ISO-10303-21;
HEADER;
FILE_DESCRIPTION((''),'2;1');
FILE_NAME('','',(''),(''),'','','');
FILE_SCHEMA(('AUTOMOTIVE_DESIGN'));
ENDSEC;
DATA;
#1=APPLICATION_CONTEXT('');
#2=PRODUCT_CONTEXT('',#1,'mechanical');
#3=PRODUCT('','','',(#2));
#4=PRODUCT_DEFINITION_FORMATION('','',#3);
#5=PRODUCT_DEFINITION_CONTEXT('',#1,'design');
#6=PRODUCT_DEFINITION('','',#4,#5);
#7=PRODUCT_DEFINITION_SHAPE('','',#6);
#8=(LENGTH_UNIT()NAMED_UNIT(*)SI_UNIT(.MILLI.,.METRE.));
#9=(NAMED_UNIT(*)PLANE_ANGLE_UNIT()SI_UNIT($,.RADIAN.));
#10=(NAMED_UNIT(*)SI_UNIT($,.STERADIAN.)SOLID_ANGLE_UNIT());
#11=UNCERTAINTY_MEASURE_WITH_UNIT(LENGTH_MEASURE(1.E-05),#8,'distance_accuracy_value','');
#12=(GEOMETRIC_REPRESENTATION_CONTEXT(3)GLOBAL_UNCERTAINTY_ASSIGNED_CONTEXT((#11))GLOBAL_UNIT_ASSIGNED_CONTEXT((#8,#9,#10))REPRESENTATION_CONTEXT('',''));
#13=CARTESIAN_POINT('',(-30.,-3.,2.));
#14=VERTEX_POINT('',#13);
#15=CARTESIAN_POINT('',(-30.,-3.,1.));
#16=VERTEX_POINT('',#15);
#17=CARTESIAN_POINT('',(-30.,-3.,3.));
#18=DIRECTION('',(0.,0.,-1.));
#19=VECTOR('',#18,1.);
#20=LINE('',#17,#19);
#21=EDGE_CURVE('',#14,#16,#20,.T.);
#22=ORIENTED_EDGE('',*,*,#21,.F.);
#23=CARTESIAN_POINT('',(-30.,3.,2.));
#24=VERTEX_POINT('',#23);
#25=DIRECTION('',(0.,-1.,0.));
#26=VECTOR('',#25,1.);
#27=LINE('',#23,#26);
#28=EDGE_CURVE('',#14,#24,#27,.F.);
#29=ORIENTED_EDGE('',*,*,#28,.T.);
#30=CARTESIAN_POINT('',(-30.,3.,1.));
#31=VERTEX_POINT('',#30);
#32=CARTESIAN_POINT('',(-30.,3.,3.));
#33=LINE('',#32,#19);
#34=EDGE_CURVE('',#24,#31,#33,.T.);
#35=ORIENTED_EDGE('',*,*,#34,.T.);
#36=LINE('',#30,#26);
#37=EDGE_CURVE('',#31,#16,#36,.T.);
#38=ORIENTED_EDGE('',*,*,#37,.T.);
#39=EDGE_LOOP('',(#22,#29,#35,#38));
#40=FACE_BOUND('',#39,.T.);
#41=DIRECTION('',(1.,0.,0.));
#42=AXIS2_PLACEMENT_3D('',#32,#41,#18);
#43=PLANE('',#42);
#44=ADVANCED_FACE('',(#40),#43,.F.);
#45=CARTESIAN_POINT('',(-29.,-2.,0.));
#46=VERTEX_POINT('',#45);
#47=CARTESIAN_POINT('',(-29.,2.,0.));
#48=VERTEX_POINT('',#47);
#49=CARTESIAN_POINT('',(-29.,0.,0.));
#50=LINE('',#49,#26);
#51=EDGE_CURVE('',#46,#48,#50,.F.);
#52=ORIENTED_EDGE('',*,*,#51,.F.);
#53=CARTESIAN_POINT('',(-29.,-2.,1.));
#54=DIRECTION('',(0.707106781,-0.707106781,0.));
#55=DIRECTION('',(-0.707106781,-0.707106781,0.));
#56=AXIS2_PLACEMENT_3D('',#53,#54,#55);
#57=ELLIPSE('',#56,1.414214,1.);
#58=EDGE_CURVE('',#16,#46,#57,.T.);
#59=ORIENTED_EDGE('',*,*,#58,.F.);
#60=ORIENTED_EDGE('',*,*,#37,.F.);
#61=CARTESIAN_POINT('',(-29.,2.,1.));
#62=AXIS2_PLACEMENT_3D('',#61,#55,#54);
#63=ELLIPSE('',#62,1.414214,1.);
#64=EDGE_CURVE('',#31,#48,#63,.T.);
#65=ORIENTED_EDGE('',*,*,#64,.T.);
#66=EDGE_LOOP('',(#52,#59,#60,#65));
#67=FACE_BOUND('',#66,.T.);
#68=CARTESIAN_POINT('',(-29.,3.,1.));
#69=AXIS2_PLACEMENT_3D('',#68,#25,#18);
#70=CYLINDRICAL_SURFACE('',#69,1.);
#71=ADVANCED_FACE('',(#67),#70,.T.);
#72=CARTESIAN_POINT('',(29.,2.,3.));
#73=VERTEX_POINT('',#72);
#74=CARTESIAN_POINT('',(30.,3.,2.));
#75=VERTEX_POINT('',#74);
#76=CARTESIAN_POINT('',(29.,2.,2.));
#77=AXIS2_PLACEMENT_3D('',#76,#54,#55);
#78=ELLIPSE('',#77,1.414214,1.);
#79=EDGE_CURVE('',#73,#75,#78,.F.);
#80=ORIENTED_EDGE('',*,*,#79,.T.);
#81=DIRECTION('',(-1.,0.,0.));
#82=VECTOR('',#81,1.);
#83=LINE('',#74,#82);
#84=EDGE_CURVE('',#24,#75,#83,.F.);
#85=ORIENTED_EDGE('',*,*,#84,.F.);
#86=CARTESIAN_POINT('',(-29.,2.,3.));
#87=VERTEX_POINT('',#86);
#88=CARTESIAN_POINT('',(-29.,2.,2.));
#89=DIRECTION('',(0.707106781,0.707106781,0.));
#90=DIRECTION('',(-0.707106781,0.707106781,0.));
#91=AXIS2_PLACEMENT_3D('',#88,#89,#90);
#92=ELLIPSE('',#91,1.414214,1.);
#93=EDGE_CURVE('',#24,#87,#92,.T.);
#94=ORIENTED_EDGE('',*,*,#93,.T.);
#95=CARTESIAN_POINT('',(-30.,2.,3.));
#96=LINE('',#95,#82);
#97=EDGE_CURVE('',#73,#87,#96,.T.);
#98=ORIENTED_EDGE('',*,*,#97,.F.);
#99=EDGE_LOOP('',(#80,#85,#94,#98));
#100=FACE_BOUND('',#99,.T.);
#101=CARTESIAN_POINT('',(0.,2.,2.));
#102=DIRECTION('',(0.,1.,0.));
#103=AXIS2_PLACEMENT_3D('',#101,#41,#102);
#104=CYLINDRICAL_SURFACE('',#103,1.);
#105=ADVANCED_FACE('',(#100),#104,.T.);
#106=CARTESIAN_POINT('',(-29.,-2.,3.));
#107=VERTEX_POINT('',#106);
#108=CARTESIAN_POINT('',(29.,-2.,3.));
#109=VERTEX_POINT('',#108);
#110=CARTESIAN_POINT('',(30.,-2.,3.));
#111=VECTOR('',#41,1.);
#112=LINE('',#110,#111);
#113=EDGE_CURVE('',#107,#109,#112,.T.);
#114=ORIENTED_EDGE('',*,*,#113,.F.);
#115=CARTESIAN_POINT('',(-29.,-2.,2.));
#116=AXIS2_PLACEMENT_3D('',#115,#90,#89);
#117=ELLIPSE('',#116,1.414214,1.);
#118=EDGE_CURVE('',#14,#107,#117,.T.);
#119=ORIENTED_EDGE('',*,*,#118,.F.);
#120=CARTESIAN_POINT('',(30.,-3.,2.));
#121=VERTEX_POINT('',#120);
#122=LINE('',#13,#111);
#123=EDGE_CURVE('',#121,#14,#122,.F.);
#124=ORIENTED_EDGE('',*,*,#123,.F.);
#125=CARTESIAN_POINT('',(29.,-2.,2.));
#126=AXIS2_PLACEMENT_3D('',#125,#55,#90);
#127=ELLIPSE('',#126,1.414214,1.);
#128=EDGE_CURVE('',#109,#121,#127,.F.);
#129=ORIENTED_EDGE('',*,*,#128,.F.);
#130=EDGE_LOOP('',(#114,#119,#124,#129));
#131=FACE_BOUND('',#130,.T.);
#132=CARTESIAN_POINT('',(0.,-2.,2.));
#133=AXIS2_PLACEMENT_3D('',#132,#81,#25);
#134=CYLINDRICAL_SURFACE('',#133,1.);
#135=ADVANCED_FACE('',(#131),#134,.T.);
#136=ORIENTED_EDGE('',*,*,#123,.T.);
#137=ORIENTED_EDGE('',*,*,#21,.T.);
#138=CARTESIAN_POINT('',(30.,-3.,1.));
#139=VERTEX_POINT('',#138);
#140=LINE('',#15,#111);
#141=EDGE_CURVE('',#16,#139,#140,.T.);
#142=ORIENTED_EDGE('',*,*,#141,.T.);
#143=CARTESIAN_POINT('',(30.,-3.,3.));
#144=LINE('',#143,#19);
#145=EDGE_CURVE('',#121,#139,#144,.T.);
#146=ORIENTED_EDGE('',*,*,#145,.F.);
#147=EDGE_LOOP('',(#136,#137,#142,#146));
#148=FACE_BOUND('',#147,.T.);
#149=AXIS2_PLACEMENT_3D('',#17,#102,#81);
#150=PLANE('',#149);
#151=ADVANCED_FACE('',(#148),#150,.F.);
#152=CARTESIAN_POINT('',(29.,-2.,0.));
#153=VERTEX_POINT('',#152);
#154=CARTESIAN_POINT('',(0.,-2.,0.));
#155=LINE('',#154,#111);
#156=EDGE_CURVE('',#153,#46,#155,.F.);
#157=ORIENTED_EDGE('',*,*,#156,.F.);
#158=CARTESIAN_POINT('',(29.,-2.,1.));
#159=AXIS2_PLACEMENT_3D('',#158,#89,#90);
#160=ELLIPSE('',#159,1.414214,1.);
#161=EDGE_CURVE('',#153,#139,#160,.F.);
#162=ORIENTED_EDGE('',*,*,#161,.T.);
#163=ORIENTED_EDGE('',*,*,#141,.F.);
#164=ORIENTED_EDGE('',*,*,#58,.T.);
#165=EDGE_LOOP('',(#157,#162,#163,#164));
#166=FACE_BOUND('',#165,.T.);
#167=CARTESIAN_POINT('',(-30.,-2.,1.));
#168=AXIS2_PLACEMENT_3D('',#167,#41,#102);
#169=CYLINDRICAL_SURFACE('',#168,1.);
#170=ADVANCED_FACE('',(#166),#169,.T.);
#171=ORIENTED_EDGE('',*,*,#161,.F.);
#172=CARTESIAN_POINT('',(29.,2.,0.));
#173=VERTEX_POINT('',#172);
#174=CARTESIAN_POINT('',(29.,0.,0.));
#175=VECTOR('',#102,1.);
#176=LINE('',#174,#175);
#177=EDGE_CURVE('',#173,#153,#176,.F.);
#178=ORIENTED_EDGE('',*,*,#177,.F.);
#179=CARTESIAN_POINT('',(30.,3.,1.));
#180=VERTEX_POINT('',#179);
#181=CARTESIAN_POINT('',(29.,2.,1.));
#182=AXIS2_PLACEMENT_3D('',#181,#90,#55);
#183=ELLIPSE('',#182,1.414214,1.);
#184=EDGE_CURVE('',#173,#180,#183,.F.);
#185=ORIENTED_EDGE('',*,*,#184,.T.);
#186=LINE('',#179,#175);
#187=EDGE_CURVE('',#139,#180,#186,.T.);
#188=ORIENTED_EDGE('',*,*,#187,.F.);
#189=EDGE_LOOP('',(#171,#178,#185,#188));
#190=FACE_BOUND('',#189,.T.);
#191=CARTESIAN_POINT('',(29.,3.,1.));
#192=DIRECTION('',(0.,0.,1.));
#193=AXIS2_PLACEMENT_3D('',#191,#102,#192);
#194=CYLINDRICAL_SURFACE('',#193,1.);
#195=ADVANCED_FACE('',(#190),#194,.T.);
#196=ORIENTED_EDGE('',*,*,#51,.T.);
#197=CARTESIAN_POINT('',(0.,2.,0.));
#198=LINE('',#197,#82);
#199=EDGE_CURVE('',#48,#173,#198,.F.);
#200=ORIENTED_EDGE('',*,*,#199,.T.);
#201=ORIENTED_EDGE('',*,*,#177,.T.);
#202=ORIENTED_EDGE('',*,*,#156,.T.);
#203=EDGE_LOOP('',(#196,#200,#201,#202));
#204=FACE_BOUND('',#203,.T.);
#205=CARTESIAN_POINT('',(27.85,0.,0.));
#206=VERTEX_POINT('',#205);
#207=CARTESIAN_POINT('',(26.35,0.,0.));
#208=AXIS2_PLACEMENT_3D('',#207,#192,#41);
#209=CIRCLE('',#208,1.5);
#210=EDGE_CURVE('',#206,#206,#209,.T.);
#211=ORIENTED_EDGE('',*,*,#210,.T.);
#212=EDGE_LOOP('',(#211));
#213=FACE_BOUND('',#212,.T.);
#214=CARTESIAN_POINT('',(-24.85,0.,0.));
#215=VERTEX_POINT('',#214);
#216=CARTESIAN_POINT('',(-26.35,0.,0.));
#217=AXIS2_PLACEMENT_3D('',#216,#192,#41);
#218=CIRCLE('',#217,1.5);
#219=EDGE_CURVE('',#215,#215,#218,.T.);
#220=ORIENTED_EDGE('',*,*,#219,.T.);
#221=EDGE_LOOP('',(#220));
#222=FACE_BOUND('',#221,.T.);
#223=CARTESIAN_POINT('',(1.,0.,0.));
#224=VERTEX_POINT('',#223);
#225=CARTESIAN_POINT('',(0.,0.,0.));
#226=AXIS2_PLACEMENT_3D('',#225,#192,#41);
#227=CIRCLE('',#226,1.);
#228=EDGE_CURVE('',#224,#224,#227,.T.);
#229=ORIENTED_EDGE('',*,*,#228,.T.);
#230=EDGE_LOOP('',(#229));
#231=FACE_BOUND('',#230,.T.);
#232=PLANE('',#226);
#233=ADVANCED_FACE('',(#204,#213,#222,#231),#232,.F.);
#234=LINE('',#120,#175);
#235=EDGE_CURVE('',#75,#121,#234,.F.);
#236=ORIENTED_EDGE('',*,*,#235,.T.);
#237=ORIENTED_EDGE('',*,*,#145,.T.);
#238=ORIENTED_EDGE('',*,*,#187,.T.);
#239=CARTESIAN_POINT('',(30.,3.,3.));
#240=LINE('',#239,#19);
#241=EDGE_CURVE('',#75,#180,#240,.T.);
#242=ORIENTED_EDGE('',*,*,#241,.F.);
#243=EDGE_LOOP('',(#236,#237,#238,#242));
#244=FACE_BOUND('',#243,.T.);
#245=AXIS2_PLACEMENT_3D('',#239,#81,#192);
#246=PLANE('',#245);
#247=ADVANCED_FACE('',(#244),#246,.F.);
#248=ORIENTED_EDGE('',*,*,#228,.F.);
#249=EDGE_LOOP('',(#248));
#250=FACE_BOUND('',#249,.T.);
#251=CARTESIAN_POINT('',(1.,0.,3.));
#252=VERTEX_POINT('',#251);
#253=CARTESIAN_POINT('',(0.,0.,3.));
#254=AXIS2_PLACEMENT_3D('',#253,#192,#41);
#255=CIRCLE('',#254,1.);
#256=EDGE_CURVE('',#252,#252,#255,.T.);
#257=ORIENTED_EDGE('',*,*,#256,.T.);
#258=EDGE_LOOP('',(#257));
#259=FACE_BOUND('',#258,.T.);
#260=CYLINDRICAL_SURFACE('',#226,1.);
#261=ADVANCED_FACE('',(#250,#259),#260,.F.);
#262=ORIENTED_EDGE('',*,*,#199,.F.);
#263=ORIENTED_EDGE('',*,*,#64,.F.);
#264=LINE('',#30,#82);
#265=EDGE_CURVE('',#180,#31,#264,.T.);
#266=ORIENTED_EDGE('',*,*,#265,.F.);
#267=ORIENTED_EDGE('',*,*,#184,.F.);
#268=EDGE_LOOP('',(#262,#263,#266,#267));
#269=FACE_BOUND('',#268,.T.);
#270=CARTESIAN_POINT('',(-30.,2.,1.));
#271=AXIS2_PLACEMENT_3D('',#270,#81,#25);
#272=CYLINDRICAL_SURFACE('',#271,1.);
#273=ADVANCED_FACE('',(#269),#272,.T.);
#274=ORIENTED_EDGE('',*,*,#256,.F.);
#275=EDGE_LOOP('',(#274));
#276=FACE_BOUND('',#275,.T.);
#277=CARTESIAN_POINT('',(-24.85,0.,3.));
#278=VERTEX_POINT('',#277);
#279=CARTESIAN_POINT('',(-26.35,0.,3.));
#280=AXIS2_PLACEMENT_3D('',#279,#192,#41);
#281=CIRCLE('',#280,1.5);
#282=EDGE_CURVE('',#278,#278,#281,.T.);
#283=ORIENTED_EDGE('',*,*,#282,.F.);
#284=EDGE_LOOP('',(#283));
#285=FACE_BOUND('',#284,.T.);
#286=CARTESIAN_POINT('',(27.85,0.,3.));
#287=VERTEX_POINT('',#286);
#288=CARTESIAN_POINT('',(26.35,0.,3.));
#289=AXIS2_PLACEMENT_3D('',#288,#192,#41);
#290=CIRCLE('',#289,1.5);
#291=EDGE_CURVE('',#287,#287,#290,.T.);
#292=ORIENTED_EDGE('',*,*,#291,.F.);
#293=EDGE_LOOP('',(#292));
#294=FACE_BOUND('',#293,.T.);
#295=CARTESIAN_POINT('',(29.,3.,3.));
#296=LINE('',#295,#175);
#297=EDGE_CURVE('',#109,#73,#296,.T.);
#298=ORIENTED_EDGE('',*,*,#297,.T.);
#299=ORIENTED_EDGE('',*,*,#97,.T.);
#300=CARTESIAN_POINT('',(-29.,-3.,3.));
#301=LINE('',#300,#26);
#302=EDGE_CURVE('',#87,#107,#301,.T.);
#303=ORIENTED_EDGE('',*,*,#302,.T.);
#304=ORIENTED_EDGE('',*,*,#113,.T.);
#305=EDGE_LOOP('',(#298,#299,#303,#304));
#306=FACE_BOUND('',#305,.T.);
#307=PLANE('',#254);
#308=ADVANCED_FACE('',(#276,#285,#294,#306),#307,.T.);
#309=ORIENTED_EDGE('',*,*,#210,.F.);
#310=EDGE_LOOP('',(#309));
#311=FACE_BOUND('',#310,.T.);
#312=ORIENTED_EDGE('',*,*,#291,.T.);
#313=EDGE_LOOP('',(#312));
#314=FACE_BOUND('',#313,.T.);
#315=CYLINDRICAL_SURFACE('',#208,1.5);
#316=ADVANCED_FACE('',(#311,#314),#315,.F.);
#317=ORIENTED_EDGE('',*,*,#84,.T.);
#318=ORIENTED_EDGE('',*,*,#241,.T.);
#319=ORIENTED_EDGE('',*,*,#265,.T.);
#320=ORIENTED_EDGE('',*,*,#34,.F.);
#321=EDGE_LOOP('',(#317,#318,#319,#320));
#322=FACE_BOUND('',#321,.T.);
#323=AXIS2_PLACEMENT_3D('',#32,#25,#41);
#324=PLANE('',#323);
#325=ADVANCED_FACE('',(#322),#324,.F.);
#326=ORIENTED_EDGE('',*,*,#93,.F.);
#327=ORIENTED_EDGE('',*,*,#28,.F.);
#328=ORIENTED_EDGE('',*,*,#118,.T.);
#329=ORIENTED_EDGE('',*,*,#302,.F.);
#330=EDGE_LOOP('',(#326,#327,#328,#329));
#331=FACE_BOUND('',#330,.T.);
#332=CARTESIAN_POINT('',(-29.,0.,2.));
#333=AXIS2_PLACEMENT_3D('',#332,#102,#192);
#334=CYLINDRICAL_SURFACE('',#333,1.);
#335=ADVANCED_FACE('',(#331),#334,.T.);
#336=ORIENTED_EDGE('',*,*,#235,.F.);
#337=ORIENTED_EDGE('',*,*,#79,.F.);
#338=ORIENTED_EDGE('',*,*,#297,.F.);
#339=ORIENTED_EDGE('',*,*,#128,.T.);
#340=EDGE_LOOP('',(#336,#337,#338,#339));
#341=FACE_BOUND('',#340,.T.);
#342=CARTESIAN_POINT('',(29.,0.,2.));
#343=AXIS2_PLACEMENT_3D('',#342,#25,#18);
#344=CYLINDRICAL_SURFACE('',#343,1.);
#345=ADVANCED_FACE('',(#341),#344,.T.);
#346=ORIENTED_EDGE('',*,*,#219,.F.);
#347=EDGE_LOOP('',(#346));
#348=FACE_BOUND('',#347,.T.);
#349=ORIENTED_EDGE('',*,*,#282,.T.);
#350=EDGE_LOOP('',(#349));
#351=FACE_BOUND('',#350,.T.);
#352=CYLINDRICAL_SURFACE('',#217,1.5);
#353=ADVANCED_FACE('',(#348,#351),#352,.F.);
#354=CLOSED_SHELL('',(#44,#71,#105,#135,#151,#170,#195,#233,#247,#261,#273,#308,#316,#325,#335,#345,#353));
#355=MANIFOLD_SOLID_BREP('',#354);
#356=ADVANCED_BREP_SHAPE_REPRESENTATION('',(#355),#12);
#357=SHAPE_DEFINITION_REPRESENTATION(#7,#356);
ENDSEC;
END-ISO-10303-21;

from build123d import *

# Parameters (mm, degrees)
CROQUIS1_W              = 60
CROQUIS1_H              = 6
SALIENTE_EXTRUIR1_DEPTH = 3
REDONDEO1_R             = 1
CROQUIS2_R              = 1.5
CROQUIS2_R_2            = 1
CORTAR_EXTRUIR1_DEPTH   = 31.298514815


with BuildPart() as part:
    # Croquis1 → Saliente-Extruir1 (new body)
    with BuildSketch(Plane.XY):
        Rectangle(CROQUIS1_W, CROQUIS1_H)
    extrude(amount=SALIENTE_EXTRUIR1_DEPTH)

    # Redondeo1
    redondeo1_edges = [part.edges().sort_by_distance(p)[0] for p in [
        (30, 0, 3),
        (0, 3, 3),
        (-30, 0, 3),
        (0, 3, 0),
        (30, 0, 0),
        (0, -3, 0),
        (-30, 0, 0),
        (0, -3, 3),
    ]]
    fillet(redondeo1_edges, radius=REDONDEO1_R)

    # Croquis2 → Cortar-Extruir1 (cut, through all)
    with BuildSketch(Plane.XY.offset(3)):
        with Locations((-26.35, 0)):
            Circle(CROQUIS2_R)
        with Locations((26.35, 0)):
            Circle(CROQUIS2_R)
        Circle(CROQUIS2_R_2)
    extrude(amount=-CORTAR_EXTRUIR1_DEPTH, mode=Mode.SUBTRACT)


solid = part.part
